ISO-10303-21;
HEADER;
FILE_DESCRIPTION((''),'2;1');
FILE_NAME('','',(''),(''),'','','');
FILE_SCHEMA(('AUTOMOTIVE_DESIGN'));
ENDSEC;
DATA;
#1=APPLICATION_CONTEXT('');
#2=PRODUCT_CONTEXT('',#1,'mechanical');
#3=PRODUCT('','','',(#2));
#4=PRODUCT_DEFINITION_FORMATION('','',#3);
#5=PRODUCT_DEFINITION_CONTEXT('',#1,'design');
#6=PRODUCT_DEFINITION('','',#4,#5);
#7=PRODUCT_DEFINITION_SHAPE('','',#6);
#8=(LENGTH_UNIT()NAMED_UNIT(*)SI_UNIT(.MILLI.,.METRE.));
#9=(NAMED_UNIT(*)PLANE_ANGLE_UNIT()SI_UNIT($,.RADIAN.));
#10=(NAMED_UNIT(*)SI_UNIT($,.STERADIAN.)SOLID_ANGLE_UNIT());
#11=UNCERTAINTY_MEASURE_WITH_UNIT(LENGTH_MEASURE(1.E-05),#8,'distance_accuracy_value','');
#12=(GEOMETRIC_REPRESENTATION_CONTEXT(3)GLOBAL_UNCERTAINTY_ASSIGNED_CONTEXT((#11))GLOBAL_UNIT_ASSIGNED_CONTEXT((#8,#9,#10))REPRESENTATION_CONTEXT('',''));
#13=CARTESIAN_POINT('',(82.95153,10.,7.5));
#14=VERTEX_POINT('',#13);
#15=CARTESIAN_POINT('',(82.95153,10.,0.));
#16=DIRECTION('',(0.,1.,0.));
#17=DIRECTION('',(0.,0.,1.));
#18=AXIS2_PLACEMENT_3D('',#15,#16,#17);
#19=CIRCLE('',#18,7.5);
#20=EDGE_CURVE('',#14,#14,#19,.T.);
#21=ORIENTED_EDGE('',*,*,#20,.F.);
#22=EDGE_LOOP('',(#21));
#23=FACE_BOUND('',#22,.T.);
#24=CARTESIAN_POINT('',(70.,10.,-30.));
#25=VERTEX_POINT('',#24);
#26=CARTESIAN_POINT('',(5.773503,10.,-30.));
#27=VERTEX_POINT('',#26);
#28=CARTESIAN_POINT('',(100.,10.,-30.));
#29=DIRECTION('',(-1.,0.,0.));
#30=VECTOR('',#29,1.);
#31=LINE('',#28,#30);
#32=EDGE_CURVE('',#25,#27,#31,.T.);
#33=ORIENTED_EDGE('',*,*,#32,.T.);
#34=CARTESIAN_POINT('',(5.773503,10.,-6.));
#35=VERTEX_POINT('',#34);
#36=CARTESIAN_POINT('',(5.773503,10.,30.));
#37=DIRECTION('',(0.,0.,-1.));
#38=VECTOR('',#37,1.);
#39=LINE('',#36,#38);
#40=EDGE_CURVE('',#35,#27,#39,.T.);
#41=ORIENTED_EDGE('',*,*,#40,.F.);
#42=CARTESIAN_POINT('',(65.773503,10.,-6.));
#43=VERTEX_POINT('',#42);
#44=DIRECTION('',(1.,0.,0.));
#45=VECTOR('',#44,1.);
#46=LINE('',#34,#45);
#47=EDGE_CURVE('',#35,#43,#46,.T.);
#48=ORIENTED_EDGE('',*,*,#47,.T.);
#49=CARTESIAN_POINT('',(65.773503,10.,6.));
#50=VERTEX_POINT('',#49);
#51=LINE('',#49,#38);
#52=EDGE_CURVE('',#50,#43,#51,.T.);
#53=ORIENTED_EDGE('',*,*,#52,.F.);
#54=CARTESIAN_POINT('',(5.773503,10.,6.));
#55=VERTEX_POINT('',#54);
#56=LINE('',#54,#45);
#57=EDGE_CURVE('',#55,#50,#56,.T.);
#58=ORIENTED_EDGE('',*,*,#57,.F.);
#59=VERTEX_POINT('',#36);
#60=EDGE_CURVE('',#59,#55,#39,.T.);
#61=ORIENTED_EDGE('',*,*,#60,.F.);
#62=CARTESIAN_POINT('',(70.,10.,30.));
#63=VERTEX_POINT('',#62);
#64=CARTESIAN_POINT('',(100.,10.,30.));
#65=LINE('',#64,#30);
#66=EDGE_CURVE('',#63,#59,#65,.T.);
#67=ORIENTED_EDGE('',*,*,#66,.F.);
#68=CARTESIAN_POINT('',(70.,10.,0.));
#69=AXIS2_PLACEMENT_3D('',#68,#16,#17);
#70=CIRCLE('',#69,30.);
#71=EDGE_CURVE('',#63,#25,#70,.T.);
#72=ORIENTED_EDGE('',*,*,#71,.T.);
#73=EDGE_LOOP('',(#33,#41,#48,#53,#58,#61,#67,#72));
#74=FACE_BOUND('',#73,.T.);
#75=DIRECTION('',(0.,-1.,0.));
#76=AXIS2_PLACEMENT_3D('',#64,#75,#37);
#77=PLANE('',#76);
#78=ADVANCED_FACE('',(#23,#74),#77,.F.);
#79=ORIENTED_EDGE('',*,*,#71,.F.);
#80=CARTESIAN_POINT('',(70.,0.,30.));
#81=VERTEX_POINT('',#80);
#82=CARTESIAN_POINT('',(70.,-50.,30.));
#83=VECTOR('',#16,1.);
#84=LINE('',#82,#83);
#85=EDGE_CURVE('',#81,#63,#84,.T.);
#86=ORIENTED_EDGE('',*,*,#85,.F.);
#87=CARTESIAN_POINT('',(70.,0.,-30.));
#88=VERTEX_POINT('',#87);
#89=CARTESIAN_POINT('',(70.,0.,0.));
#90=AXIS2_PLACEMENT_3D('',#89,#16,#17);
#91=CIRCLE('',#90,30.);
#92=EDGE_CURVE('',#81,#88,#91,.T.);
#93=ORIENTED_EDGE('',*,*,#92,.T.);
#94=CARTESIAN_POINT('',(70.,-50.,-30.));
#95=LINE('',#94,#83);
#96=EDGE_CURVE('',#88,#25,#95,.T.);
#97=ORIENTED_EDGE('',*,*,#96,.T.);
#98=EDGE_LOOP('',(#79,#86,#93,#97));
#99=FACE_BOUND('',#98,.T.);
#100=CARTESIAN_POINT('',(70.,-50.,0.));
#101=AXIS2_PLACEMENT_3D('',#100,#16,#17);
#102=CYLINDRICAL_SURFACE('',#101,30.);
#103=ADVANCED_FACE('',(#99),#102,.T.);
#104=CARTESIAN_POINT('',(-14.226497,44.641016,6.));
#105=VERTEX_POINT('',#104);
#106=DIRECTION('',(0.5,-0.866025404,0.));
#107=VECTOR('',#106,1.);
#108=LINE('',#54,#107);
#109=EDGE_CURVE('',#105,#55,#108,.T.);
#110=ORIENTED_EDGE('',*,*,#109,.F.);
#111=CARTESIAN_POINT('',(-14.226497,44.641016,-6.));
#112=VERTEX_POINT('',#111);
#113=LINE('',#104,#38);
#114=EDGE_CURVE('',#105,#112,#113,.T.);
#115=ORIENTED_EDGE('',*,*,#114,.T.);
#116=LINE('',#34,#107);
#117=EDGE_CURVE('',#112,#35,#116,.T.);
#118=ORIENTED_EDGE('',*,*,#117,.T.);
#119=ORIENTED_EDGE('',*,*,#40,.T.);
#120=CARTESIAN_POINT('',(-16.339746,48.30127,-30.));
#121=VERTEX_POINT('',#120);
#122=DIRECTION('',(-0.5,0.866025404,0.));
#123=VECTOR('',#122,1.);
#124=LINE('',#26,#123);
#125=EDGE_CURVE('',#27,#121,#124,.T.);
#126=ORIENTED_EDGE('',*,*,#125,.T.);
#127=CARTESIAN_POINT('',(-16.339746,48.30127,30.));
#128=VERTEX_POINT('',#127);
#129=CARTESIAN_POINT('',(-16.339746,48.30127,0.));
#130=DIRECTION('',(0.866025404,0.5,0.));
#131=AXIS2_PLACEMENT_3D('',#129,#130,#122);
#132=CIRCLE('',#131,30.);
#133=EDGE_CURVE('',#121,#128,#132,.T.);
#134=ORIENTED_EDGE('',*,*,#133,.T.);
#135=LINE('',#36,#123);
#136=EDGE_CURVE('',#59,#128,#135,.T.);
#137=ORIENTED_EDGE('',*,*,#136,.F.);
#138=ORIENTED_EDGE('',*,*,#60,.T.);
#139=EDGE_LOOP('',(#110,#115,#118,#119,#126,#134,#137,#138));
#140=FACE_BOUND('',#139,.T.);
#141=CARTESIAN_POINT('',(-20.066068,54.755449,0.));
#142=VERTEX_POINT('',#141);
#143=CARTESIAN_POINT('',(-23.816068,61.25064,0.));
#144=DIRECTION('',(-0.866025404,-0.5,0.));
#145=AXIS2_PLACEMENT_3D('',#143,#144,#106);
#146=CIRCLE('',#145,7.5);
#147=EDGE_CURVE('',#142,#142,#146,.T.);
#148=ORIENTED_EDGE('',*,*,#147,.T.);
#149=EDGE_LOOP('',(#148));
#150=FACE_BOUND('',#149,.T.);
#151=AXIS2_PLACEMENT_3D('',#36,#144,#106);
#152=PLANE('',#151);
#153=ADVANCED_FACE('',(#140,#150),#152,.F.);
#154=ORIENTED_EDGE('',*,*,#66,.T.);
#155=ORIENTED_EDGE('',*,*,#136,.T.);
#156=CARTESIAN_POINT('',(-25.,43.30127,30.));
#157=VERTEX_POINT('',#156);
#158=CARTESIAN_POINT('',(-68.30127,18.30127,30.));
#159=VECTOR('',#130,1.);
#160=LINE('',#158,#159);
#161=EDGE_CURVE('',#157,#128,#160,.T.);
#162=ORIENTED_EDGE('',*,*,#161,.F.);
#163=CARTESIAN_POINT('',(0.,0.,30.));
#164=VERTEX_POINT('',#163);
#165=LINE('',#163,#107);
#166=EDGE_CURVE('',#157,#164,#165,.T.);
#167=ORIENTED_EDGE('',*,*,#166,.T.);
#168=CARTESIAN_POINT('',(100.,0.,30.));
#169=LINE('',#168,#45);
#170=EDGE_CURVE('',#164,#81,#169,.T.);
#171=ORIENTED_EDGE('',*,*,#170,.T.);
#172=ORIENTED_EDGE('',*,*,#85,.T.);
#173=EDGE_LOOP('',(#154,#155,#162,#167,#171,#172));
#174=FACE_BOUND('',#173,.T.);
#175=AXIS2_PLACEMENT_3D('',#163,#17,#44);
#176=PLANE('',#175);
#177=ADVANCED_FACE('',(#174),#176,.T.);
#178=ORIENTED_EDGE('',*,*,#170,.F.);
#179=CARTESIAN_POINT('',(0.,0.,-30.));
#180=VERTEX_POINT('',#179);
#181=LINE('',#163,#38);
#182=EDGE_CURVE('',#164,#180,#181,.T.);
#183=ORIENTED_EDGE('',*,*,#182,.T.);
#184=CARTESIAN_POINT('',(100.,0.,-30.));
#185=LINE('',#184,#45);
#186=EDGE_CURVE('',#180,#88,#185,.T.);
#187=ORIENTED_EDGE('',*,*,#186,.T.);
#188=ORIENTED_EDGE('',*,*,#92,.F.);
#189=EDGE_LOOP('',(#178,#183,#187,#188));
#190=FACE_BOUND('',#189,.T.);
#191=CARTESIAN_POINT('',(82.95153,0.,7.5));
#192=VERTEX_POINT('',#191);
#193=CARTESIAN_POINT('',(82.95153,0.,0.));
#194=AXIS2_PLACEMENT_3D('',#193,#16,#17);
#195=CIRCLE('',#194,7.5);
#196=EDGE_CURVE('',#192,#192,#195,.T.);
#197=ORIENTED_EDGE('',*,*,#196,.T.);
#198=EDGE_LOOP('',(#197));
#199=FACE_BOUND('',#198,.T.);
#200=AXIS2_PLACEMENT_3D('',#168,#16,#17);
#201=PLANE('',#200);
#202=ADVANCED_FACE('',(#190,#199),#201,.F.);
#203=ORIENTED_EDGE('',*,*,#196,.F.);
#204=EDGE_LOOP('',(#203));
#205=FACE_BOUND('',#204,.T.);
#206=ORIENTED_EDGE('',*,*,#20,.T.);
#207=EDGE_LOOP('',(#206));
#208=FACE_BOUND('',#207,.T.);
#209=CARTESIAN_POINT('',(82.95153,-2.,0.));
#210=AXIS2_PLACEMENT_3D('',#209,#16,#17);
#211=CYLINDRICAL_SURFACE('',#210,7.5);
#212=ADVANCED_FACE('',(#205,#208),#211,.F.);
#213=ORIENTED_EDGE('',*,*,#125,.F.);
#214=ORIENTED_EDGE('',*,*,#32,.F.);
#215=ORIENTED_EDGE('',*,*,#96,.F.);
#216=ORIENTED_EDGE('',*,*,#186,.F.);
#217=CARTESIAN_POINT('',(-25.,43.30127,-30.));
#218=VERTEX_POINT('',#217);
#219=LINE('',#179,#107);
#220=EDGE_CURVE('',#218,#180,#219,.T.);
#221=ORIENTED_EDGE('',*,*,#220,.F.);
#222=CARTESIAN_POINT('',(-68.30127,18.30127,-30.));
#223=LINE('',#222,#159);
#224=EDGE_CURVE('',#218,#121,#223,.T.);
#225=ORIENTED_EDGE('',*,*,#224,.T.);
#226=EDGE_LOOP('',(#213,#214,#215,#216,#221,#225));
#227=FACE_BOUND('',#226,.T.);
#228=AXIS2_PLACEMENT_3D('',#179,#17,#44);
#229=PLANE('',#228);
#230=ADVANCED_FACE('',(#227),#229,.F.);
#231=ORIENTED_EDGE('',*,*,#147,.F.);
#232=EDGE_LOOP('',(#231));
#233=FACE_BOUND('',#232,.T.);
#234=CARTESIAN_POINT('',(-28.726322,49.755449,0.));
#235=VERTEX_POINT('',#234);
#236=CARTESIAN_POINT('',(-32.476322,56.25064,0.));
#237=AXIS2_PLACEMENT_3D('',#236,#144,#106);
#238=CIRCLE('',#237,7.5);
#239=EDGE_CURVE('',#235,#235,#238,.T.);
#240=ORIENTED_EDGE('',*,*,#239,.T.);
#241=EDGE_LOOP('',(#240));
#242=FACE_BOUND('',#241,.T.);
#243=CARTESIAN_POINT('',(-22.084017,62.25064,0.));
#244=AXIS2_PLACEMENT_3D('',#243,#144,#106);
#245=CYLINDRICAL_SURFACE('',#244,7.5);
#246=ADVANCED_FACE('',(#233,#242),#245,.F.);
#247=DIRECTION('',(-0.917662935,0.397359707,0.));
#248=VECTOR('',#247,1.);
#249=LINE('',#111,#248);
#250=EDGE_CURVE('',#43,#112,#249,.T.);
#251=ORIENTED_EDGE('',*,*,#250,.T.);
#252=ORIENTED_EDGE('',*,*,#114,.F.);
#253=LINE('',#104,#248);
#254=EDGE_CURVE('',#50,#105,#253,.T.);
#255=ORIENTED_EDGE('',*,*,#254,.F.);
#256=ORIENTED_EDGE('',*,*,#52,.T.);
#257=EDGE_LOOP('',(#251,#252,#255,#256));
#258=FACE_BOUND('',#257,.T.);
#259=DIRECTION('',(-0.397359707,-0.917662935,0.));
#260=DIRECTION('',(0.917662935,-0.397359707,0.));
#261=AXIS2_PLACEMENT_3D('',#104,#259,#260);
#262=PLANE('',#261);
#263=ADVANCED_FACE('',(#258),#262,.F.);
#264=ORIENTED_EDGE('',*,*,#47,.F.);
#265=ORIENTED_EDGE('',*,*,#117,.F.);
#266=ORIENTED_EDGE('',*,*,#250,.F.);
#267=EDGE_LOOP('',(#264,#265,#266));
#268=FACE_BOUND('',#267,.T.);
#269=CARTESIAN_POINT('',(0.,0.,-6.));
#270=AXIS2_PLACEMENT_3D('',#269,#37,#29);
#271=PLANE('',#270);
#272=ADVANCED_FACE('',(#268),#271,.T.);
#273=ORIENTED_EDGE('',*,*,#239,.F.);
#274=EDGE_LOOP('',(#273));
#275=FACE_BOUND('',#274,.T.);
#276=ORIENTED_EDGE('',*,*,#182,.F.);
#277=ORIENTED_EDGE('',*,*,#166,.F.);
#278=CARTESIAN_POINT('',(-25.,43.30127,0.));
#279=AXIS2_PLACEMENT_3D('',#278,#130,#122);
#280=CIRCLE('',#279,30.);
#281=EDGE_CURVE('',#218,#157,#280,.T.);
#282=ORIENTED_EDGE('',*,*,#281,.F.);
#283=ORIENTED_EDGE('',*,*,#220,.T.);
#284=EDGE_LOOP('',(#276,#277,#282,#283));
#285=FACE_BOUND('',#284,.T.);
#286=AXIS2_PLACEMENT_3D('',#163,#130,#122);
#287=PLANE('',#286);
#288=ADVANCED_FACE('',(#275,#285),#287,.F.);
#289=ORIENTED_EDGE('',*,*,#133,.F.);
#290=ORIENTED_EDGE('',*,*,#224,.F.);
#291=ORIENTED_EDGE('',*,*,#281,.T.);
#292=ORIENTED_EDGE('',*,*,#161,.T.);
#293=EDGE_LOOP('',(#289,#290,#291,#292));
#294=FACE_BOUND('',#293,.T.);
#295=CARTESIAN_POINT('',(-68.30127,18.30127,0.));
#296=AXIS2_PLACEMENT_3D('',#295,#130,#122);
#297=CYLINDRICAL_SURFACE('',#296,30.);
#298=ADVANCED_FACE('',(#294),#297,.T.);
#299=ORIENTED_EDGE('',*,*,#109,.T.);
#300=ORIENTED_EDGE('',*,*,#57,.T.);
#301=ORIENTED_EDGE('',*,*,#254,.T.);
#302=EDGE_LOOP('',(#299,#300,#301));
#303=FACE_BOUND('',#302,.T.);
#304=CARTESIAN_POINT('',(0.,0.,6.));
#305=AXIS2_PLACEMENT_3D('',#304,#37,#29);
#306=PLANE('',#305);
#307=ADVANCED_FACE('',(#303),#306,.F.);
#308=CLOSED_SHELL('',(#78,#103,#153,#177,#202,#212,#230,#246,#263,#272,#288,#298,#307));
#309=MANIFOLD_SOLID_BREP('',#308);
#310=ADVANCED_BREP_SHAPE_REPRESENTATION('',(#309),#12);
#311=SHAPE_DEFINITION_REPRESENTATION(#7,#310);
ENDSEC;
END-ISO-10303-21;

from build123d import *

# Parameters (mm, degrees)
BOSS_EXTRUDE1_DEPTH = 30
CUT_EXTRUDE1_DEPTH  = 60
CUT_EXTRUDE2_DEPTH  = 60
BOSS_EXTRUDE2_DEPTH = 6
SKETCH6_R           = 7.5
CUT_EXTRUDE3_DEPTH  = 12
SKETCH7_R           = 7.5
CUT_EXTRUDE4_DEPTH  = 12


with BuildPart() as part:
    # Sketch2 → Boss-Extrude1 (new body, symmetric)
    with BuildSketch(Plane.XY):
        Polygon((100, 0), (0, 0), (-40, 69.282032303), (-31.339745962, 74.282032303), (5.773502692, 10), (100, 10), align=None)
    extrude(amount=BOSS_EXTRUDE1_DEPTH, both=True)

    # Sketch3 → Cut-Extrude1 (cut)
    with BuildSketch(Plane(origin=(0, 10, 0), x_dir=(1, 0, 0), z_dir=(0, 1, 0))):
        with BuildLine():
            ThreePointArc((70, 30), (91.213203452, 21.213203419), (100, -4.6e-08))
            Line((100, -4.6e-08), (100, 30))
            Line((100, 30), (70, 30))
        make_face()
        with BuildLine():
            Line((70, -30), (100, -30))
            Line((100, -30), (100, -4.6e-08))
            ThreePointArc((100, -4.6e-08), (91.213203419, -21.213203452), (70, -30))
        make_face()
    extrude(amount=-CUT_EXTRUDE1_DEPTH, mode=Mode.SUBTRACT)

    # Sketch4 → Cut-Extrude2 (cut)
    with BuildSketch(Plane(origin=(8.660254038, 5, 0), x_dir=(0, 0, -1), z_dir=(0.866025404, 0.5, 0))):
        with BuildLine():
            ThreePointArc((-30, 50), (-21.213203436, 71.213203436), (0, 80))
            Line((0, 80), (-30, 80))
            Line((-30, 80), (-30, 50))
        make_face()
        with BuildLine():
            ThreePointArc((0, 80), (21.213203436, 71.213203436), (30, 50))
            Line((30, 50), (30, 80))
            Line((30, 80), (0, 80))
        make_face()
    extrude(amount=-CUT_EXTRUDE2_DEPTH, mode=Mode.SUBTRACT)

    # Sketch5 → Boss-Extrude2 (add, symmetric)
    with BuildSketch(Plane.XY):
        Polygon((5.773502692, 10), (65.773502692, 10), (-14.226497308, 44.641016151), align=None)
    extrude(amount=BOSS_EXTRUDE2_DEPTH, both=True)

    # Sketch6 → Cut-Extrude3 (cut)
    with BuildSketch(Plane(origin=(0, 10, 0), x_dir=(1, 0, 0), z_dir=(0, 1, 0))):
        with Locations((82.951530003, 0)):
            Circle(SKETCH6_R)
    extrude(amount=-CUT_EXTRUDE3_DEPTH, mode=Mode.SUBTRACT)

    # Sketch7 → Cut-Extrude4 (cut)
    with BuildSketch(Plane(origin=(0, 0, 0), x_dir=(0, 0, 1), z_dir=(-0.866025404, -0.5, 0))):
        with Locations((0, 64.952644295)):
            Circle(SKETCH7_R)
    extrude(amount=-CUT_EXTRUDE4_DEPTH, mode=Mode.SUBTRACT)


solid = part.part
